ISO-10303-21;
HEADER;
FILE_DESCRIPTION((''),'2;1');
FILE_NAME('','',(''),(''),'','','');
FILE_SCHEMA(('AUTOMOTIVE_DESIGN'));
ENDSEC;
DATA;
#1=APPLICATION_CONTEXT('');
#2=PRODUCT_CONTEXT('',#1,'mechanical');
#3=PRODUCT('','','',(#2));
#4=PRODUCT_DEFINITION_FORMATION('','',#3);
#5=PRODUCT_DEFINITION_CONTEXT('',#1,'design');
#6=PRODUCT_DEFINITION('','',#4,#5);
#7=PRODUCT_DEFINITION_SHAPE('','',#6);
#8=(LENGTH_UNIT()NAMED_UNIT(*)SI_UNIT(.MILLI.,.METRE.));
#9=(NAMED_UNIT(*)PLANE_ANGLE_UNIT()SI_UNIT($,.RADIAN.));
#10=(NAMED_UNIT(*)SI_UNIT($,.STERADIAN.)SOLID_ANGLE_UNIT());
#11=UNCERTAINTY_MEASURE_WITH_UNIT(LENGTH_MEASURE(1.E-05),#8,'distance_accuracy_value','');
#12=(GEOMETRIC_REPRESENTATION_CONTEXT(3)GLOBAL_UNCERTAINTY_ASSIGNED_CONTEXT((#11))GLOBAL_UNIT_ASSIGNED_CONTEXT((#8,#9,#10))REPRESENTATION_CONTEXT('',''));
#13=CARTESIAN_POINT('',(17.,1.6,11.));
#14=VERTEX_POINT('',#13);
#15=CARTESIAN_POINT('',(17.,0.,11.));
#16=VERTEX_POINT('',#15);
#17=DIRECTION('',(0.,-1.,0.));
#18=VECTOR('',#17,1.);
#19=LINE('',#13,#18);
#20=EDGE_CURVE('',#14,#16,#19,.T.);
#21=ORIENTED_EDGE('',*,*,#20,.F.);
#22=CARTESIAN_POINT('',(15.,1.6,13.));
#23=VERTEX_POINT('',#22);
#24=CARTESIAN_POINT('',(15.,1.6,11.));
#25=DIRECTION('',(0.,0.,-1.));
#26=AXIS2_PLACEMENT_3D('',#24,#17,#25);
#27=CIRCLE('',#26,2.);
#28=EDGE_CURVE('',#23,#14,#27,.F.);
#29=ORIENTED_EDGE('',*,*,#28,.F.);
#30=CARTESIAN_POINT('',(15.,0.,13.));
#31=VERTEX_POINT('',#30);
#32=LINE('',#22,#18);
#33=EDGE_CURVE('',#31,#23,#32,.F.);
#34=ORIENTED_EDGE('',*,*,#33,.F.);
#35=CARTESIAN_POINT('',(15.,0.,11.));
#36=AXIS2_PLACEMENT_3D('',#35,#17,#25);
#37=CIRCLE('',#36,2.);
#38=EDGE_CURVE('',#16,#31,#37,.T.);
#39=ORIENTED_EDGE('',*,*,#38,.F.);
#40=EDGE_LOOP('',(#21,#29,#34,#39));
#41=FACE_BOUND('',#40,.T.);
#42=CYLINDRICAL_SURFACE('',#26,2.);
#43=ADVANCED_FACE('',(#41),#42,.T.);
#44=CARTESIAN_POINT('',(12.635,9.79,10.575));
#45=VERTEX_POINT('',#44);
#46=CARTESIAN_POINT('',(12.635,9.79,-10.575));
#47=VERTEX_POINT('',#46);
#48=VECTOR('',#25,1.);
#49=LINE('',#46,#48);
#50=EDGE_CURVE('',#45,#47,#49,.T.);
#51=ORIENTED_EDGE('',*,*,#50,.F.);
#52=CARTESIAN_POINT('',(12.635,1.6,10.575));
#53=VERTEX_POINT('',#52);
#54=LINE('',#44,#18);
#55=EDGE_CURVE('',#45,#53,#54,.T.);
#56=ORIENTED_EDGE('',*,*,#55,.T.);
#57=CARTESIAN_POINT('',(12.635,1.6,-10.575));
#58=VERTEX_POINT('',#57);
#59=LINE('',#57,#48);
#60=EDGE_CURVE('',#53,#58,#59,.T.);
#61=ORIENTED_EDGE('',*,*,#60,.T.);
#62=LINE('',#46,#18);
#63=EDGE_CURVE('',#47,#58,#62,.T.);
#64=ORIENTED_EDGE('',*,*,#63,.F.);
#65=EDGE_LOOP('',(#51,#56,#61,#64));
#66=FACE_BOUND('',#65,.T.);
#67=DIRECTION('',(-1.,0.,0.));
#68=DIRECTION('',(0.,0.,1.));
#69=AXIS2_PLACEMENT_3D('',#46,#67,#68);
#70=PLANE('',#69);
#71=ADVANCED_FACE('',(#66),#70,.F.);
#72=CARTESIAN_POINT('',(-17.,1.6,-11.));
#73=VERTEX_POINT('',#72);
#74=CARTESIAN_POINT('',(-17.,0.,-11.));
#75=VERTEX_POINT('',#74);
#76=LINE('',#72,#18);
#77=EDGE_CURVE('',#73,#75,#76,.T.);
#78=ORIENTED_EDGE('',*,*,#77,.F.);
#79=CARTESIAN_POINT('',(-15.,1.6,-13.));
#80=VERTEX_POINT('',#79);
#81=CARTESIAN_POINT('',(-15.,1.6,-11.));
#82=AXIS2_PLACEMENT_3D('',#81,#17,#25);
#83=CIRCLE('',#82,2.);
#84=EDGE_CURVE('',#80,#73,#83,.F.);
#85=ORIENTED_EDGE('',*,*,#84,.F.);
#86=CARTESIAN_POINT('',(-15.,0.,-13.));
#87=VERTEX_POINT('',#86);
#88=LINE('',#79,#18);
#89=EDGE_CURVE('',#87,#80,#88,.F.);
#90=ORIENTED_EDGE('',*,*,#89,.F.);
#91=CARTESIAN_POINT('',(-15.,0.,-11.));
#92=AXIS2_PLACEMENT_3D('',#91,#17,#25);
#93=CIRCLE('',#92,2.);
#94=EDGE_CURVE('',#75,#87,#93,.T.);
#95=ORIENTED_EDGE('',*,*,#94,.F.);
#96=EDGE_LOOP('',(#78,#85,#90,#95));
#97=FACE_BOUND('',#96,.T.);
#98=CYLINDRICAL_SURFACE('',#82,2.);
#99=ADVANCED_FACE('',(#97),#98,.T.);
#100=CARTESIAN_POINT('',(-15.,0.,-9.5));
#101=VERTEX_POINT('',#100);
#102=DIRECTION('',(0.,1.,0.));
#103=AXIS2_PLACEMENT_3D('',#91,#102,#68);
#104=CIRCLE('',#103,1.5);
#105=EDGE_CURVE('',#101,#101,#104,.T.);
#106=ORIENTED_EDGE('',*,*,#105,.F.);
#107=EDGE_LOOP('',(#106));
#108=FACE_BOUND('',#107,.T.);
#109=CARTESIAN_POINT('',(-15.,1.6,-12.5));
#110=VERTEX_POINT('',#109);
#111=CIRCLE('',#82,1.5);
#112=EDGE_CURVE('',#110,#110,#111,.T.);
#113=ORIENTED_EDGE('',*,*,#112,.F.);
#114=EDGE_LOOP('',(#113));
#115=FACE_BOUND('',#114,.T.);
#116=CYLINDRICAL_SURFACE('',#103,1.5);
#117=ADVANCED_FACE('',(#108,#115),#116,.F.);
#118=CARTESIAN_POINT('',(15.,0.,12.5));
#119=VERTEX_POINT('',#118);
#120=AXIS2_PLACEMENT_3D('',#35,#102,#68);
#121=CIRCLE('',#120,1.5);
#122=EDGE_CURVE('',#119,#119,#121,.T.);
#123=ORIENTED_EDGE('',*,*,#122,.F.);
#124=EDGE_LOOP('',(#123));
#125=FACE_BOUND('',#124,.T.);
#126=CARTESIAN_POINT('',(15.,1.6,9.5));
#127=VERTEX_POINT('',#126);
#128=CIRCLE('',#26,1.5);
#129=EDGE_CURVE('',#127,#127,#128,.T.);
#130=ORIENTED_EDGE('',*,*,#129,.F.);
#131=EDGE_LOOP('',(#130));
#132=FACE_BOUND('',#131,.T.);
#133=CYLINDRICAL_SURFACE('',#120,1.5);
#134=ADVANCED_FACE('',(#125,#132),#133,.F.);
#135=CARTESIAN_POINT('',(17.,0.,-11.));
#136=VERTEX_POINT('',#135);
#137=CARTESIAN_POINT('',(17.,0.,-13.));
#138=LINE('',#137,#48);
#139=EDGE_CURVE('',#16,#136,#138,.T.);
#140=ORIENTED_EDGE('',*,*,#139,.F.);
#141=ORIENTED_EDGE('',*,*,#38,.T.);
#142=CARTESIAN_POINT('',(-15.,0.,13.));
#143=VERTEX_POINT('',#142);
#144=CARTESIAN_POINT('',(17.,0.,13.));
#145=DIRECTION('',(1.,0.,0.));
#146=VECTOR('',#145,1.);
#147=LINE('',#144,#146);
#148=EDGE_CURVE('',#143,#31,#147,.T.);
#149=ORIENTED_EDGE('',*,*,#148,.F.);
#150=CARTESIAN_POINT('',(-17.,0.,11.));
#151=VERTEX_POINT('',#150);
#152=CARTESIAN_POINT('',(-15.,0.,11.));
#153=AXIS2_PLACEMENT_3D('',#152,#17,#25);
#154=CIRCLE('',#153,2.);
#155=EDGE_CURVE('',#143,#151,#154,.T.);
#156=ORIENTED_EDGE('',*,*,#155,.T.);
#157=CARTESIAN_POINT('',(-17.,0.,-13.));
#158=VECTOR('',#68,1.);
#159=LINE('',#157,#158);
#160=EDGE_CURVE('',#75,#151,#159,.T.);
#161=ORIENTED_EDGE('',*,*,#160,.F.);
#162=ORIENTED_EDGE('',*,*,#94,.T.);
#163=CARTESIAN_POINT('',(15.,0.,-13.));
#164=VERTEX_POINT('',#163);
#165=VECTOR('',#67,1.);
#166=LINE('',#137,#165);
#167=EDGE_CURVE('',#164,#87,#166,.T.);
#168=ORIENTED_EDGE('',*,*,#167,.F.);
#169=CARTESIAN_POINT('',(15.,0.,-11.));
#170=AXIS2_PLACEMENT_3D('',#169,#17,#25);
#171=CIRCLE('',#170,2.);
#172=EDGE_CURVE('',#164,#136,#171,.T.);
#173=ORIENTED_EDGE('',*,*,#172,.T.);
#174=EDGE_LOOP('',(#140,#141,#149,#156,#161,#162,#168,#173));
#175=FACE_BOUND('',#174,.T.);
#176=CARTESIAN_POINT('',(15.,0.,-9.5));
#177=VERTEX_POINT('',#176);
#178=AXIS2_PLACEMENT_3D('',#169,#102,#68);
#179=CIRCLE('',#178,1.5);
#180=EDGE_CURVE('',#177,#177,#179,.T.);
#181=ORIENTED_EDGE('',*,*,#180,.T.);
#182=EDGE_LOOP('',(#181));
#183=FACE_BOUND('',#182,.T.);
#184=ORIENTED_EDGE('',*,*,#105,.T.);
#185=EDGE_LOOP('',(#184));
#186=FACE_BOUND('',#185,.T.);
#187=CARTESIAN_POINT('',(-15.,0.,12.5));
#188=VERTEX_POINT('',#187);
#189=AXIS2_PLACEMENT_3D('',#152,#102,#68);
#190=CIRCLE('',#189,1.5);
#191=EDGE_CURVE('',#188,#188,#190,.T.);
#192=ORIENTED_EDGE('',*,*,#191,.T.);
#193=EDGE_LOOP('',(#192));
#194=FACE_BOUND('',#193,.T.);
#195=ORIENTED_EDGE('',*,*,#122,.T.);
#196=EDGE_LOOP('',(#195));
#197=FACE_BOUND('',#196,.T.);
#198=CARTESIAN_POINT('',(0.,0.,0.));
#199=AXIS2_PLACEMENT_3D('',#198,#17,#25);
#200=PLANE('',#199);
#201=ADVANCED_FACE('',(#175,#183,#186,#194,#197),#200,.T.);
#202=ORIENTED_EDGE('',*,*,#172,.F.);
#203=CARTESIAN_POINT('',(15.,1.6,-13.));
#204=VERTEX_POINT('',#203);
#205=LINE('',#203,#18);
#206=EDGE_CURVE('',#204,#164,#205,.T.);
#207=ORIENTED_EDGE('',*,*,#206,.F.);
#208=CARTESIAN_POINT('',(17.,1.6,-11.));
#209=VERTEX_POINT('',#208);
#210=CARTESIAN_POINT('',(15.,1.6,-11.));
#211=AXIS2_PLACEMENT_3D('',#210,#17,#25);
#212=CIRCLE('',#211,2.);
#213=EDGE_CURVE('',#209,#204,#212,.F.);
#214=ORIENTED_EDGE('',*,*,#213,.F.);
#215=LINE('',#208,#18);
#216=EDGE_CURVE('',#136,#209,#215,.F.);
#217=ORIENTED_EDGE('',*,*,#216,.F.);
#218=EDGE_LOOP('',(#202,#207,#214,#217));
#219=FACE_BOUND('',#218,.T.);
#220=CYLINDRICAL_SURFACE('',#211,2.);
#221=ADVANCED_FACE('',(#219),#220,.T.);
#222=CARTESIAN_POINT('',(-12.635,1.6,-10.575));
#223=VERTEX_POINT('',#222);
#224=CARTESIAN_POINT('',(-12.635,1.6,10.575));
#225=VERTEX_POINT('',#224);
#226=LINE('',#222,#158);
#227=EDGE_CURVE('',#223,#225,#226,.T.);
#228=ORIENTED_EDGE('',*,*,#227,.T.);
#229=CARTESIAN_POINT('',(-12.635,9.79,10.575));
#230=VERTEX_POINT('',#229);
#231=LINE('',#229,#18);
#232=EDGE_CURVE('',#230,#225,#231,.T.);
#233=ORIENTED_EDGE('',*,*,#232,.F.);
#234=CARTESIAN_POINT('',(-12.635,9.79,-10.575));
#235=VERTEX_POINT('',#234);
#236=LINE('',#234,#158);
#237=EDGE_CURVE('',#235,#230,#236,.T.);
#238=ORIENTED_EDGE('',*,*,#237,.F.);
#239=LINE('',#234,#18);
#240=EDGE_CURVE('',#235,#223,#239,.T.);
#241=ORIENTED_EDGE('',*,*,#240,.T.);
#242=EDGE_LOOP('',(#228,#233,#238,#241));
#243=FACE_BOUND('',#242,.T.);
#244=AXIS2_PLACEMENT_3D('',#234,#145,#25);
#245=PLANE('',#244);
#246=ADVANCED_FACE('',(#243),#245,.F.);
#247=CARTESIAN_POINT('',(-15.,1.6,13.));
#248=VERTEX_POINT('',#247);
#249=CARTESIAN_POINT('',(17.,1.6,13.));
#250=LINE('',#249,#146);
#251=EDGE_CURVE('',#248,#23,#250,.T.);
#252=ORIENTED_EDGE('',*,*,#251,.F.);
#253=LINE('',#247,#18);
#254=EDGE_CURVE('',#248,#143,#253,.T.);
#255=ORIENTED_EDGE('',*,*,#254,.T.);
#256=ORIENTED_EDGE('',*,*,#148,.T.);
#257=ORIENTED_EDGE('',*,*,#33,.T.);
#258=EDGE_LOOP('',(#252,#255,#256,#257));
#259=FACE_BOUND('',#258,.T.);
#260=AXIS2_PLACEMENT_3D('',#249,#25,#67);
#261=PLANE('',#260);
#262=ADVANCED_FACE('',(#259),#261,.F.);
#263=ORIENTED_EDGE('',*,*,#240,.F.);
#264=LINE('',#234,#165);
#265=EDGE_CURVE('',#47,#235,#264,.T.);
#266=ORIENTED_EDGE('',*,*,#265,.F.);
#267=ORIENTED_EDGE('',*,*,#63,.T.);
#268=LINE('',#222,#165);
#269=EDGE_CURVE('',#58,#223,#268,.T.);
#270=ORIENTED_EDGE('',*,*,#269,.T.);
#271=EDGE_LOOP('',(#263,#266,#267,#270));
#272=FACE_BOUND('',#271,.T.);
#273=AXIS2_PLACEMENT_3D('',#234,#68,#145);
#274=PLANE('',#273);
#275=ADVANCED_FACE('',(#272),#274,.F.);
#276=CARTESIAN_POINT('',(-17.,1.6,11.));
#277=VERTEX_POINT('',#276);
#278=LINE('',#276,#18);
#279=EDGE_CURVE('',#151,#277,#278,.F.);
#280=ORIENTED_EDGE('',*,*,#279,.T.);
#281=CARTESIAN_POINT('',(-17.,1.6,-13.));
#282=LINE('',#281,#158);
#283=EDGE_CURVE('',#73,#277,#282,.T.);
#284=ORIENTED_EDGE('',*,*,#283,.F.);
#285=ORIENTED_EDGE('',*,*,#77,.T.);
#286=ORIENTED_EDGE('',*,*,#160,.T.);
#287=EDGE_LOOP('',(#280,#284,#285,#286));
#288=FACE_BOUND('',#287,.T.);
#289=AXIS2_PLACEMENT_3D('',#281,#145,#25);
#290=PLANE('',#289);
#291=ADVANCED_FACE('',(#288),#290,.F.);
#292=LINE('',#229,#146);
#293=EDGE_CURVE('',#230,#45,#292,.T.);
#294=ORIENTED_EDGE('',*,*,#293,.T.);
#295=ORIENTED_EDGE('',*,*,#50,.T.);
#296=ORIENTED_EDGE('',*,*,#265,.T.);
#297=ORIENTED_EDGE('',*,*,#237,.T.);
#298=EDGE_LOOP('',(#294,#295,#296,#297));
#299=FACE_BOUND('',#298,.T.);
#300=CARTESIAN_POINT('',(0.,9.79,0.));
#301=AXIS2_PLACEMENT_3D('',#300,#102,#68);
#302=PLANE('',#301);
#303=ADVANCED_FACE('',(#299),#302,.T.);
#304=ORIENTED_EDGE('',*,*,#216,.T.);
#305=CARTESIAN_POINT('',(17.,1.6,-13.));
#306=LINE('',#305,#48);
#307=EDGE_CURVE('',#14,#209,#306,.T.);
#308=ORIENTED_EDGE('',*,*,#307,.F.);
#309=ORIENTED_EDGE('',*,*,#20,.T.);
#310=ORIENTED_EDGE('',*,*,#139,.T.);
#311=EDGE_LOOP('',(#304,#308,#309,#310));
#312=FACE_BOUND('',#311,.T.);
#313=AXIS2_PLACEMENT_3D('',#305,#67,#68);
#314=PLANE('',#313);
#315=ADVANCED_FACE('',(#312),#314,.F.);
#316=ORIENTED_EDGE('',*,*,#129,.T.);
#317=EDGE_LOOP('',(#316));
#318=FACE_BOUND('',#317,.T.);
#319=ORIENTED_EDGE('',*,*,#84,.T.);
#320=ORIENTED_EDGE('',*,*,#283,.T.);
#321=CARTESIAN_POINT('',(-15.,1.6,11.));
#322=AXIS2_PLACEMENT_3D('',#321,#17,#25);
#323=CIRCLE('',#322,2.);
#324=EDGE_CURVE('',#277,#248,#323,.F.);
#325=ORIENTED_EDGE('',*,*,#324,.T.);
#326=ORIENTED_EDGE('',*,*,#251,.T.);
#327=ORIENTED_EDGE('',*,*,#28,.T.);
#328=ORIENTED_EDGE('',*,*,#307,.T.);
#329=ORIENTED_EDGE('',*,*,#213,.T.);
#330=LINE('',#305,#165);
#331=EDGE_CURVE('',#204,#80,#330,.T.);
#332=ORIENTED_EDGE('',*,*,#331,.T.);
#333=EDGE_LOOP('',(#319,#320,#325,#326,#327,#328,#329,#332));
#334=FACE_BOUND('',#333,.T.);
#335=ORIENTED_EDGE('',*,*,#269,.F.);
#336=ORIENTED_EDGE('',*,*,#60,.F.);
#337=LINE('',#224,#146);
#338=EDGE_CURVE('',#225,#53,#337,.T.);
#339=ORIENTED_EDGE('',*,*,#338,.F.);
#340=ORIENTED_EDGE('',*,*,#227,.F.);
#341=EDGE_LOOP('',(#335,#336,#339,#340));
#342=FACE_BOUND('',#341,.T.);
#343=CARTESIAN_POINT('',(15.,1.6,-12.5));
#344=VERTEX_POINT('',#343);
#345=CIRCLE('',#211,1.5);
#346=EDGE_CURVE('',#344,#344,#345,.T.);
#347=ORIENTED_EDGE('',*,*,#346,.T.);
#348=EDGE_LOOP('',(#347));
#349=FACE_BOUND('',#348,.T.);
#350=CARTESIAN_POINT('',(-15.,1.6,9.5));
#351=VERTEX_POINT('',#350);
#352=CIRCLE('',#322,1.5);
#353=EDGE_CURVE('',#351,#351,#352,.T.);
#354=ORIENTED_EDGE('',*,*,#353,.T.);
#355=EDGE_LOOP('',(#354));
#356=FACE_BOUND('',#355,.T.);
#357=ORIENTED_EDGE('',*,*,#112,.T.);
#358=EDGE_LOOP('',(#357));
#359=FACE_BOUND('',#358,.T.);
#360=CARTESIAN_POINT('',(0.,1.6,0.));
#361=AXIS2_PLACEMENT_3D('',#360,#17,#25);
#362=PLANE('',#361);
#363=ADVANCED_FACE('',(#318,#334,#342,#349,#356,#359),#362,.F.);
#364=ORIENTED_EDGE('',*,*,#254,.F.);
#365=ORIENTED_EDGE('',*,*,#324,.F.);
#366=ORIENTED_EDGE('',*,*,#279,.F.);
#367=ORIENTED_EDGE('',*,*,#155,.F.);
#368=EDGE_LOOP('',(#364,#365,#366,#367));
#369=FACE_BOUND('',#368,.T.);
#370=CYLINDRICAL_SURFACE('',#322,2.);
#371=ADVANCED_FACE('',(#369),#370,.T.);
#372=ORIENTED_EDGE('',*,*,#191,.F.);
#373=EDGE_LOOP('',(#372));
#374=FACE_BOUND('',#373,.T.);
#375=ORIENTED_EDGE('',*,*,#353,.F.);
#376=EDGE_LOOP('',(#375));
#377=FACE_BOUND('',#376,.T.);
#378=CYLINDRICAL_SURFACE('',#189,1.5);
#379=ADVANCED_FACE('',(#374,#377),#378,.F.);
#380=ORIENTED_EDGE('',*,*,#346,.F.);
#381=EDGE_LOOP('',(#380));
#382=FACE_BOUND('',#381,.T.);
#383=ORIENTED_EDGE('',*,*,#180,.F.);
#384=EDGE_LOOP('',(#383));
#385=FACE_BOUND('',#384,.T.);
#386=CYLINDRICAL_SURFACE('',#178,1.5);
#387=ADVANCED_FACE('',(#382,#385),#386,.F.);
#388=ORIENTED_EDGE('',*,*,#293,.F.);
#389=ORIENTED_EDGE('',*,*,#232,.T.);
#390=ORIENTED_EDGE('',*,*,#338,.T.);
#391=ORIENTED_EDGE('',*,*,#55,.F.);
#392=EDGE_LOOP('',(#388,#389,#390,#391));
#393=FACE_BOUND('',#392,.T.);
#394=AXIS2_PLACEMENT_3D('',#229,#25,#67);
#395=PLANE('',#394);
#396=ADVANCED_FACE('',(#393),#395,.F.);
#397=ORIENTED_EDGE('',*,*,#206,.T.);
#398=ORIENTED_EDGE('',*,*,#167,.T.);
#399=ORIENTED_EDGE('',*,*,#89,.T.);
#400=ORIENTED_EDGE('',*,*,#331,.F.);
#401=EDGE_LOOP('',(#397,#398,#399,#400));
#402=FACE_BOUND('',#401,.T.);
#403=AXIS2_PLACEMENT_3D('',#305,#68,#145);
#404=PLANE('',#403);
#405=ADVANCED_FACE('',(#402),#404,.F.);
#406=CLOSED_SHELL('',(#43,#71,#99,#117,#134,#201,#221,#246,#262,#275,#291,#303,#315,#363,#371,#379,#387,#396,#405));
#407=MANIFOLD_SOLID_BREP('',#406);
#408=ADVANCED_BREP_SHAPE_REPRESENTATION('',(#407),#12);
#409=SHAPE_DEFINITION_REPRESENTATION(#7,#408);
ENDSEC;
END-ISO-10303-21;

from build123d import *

# Parameters (mm, degrees)
SKETCH1_W               = 34
SKETCH1_H               = 26
BOSS_EXTRUDE1_DEPTH     = 1.6
FILLET1_R               = 2
SKETCH4_W               = 25.27
SKETCH4_H               = 21.15
BOSS_EXTRUDE3_DEPTH     = 8.19
CUT_EXTRUDE1_DEPTH      = 23.914539053
CUT_EXTRUDE1_DEPTH_BACK = 23.914539053
SKETCH5_R               = 1.5


with BuildPart() as part:
    # Sketch1 → Boss-Extrude1 (new body)
    with BuildSketch(Plane(origin=(0, 0, 0), x_dir=(1, 0, 0), z_dir=(0, 1, 0))):
        Rectangle(SKETCH1_W, SKETCH1_H)
    extrude(amount=BOSS_EXTRUDE1_DEPTH)

    # Fillet1
    fillet1_edges = [part.edges().sort_by_distance(p)[0] for p in [
        (-17, 0.8, -13),
        (17, 0.8, -13),
        (17, 0.8, 13),
        (-17, 0.8, 13),
    ]]
    fillet(fillet1_edges, radius=FILLET1_R)

    # Sketch4 → Boss-Extrude3 (add)
    with BuildSketch(Plane(origin=(0, 1.6, 0), x_dir=(1, 0, 0), z_dir=(0, 1, 0))):
        Rectangle(SKETCH4_W, SKETCH4_H)
    extrude(amount=BOSS_EXTRUDE3_DEPTH)

    # Sketch5 → Cut-Extrude1 (cut, two sides: drawn at the far end of the back side and taken through both)
    with BuildSketch(Plane(origin=(0, 1.6, 0), x_dir=(1, 0, 0), z_dir=(0, 1, 0)).offset(-CUT_EXTRUDE1_DEPTH_BACK)):
        with Locations(Location((15, 11, 0), (0, 0, 270))):
            Circle(SKETCH5_R)
        with Locations(Location((15, -11, 0), (0, 0, 270))):
            Circle(SKETCH5_R)
        with Locations(Location((-15, -11, 0), (0, 0, 270))):
            Circle(SKETCH5_R)
        with Locations(Location((-15, 11, 0), (0, 0, 270))):
            Circle(SKETCH5_R)
    extrude(amount=CUT_EXTRUDE1_DEPTH + CUT_EXTRUDE1_DEPTH_BACK, mode=Mode.SUBTRACT)


solid = part.part
